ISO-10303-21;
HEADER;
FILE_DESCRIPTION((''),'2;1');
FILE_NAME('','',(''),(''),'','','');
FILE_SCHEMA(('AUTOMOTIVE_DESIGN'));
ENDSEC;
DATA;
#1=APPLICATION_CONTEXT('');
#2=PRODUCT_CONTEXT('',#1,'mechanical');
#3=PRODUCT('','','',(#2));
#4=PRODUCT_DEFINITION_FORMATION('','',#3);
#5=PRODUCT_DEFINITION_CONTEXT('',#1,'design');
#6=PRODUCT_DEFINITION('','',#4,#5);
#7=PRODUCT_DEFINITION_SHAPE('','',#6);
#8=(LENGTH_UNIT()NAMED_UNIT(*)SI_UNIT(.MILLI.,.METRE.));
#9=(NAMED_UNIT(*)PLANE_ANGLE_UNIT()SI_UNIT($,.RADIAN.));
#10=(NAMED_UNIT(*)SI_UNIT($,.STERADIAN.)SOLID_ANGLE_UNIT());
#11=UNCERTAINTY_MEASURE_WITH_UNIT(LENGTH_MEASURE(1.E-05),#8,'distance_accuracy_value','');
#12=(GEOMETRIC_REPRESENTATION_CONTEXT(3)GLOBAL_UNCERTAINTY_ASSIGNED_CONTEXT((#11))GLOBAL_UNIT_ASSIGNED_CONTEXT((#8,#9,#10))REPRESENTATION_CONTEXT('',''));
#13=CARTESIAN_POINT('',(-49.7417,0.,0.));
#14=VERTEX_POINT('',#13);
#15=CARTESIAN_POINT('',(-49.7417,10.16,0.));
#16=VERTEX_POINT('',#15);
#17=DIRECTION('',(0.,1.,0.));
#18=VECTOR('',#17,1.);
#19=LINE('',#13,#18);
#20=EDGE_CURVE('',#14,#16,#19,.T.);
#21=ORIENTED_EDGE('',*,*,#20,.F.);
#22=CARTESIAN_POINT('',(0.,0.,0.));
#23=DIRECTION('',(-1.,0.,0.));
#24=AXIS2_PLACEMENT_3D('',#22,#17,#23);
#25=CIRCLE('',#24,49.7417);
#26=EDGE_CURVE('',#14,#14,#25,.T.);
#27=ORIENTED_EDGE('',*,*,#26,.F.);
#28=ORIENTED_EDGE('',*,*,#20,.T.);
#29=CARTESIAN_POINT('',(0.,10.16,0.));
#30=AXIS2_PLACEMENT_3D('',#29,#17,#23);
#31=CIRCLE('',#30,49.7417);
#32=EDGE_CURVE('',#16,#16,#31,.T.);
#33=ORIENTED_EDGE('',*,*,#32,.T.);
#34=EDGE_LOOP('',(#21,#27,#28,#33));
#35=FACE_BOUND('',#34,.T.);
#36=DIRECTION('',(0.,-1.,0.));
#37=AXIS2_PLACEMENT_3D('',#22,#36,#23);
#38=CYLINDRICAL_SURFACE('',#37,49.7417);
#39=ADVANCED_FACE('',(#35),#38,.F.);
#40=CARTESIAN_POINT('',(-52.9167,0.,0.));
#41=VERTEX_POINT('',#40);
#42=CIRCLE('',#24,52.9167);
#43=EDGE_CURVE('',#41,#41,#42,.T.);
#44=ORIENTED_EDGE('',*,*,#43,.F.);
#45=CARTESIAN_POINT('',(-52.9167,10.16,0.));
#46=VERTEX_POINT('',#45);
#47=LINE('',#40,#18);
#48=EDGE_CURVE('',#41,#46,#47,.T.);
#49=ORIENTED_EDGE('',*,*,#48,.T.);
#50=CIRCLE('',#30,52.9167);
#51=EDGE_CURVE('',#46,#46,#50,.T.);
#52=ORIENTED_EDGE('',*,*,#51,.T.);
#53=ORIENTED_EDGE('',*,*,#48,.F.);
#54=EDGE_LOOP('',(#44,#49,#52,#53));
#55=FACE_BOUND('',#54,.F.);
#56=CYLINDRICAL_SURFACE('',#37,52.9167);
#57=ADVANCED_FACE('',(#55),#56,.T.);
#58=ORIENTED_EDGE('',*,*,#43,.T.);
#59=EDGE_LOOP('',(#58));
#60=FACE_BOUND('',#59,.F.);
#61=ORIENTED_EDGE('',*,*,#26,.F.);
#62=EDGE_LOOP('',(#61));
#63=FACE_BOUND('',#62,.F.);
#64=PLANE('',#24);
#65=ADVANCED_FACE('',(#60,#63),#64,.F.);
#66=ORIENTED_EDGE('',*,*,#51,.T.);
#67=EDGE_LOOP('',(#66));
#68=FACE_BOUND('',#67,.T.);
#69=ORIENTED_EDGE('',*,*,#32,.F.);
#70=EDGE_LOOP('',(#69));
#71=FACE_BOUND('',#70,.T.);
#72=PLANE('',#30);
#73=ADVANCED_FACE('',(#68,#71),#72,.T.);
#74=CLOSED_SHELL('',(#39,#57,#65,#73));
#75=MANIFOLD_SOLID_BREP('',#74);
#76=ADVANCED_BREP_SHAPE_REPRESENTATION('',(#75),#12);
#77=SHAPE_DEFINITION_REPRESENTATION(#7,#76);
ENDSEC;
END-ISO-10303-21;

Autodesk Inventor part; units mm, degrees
ref_plane "YZ Plane" through (0, 0, 0) normal (1, 0, 0) x (0, 1, 0)
ref_plane "XZ Plane" through (0, 0, 0) normal (0, 1, 0) x (-1, 0, 0)
ref_plane "XY Plane" through (0, 0, 0) normal (0, 0, 1) x (1, 0, 0)
sketch "Sketch1" plane through (0, 0, 0) normal (0, 1, 0) x (-1, 0, 0)
  circle A0 centre (0, 0) radius 49.7417
  circle A1 centre (0, 0) radius 52.9167
  circle A2 centre (0, 0) radius 419.1 construction
  dimension "interiorDiam" = 99.4833
  dimension "exteriorDiam" = 105.8333
  dimension "frisbeeDiam" = 838.2
extrude "Extrusion1" add sketch "Sketch1" along normal blind 10.16
equation "\"regulationFrisbeeDiam\" = 279.4"
equation "\"vexFrisbeeDiam\" = 0.333333 * regulationFrisbeeDiam"
equation "\"regulationFrisbeeHeight\" = 35.56"
equation "\"vexFrisbeeHeight\" = 0.333333 * regulationFrisbeeHeight"
equation "\"postHoleDiam\" = 6.858"
properties part number "vexInnerSupport" material "PC/ABS Plastic"
